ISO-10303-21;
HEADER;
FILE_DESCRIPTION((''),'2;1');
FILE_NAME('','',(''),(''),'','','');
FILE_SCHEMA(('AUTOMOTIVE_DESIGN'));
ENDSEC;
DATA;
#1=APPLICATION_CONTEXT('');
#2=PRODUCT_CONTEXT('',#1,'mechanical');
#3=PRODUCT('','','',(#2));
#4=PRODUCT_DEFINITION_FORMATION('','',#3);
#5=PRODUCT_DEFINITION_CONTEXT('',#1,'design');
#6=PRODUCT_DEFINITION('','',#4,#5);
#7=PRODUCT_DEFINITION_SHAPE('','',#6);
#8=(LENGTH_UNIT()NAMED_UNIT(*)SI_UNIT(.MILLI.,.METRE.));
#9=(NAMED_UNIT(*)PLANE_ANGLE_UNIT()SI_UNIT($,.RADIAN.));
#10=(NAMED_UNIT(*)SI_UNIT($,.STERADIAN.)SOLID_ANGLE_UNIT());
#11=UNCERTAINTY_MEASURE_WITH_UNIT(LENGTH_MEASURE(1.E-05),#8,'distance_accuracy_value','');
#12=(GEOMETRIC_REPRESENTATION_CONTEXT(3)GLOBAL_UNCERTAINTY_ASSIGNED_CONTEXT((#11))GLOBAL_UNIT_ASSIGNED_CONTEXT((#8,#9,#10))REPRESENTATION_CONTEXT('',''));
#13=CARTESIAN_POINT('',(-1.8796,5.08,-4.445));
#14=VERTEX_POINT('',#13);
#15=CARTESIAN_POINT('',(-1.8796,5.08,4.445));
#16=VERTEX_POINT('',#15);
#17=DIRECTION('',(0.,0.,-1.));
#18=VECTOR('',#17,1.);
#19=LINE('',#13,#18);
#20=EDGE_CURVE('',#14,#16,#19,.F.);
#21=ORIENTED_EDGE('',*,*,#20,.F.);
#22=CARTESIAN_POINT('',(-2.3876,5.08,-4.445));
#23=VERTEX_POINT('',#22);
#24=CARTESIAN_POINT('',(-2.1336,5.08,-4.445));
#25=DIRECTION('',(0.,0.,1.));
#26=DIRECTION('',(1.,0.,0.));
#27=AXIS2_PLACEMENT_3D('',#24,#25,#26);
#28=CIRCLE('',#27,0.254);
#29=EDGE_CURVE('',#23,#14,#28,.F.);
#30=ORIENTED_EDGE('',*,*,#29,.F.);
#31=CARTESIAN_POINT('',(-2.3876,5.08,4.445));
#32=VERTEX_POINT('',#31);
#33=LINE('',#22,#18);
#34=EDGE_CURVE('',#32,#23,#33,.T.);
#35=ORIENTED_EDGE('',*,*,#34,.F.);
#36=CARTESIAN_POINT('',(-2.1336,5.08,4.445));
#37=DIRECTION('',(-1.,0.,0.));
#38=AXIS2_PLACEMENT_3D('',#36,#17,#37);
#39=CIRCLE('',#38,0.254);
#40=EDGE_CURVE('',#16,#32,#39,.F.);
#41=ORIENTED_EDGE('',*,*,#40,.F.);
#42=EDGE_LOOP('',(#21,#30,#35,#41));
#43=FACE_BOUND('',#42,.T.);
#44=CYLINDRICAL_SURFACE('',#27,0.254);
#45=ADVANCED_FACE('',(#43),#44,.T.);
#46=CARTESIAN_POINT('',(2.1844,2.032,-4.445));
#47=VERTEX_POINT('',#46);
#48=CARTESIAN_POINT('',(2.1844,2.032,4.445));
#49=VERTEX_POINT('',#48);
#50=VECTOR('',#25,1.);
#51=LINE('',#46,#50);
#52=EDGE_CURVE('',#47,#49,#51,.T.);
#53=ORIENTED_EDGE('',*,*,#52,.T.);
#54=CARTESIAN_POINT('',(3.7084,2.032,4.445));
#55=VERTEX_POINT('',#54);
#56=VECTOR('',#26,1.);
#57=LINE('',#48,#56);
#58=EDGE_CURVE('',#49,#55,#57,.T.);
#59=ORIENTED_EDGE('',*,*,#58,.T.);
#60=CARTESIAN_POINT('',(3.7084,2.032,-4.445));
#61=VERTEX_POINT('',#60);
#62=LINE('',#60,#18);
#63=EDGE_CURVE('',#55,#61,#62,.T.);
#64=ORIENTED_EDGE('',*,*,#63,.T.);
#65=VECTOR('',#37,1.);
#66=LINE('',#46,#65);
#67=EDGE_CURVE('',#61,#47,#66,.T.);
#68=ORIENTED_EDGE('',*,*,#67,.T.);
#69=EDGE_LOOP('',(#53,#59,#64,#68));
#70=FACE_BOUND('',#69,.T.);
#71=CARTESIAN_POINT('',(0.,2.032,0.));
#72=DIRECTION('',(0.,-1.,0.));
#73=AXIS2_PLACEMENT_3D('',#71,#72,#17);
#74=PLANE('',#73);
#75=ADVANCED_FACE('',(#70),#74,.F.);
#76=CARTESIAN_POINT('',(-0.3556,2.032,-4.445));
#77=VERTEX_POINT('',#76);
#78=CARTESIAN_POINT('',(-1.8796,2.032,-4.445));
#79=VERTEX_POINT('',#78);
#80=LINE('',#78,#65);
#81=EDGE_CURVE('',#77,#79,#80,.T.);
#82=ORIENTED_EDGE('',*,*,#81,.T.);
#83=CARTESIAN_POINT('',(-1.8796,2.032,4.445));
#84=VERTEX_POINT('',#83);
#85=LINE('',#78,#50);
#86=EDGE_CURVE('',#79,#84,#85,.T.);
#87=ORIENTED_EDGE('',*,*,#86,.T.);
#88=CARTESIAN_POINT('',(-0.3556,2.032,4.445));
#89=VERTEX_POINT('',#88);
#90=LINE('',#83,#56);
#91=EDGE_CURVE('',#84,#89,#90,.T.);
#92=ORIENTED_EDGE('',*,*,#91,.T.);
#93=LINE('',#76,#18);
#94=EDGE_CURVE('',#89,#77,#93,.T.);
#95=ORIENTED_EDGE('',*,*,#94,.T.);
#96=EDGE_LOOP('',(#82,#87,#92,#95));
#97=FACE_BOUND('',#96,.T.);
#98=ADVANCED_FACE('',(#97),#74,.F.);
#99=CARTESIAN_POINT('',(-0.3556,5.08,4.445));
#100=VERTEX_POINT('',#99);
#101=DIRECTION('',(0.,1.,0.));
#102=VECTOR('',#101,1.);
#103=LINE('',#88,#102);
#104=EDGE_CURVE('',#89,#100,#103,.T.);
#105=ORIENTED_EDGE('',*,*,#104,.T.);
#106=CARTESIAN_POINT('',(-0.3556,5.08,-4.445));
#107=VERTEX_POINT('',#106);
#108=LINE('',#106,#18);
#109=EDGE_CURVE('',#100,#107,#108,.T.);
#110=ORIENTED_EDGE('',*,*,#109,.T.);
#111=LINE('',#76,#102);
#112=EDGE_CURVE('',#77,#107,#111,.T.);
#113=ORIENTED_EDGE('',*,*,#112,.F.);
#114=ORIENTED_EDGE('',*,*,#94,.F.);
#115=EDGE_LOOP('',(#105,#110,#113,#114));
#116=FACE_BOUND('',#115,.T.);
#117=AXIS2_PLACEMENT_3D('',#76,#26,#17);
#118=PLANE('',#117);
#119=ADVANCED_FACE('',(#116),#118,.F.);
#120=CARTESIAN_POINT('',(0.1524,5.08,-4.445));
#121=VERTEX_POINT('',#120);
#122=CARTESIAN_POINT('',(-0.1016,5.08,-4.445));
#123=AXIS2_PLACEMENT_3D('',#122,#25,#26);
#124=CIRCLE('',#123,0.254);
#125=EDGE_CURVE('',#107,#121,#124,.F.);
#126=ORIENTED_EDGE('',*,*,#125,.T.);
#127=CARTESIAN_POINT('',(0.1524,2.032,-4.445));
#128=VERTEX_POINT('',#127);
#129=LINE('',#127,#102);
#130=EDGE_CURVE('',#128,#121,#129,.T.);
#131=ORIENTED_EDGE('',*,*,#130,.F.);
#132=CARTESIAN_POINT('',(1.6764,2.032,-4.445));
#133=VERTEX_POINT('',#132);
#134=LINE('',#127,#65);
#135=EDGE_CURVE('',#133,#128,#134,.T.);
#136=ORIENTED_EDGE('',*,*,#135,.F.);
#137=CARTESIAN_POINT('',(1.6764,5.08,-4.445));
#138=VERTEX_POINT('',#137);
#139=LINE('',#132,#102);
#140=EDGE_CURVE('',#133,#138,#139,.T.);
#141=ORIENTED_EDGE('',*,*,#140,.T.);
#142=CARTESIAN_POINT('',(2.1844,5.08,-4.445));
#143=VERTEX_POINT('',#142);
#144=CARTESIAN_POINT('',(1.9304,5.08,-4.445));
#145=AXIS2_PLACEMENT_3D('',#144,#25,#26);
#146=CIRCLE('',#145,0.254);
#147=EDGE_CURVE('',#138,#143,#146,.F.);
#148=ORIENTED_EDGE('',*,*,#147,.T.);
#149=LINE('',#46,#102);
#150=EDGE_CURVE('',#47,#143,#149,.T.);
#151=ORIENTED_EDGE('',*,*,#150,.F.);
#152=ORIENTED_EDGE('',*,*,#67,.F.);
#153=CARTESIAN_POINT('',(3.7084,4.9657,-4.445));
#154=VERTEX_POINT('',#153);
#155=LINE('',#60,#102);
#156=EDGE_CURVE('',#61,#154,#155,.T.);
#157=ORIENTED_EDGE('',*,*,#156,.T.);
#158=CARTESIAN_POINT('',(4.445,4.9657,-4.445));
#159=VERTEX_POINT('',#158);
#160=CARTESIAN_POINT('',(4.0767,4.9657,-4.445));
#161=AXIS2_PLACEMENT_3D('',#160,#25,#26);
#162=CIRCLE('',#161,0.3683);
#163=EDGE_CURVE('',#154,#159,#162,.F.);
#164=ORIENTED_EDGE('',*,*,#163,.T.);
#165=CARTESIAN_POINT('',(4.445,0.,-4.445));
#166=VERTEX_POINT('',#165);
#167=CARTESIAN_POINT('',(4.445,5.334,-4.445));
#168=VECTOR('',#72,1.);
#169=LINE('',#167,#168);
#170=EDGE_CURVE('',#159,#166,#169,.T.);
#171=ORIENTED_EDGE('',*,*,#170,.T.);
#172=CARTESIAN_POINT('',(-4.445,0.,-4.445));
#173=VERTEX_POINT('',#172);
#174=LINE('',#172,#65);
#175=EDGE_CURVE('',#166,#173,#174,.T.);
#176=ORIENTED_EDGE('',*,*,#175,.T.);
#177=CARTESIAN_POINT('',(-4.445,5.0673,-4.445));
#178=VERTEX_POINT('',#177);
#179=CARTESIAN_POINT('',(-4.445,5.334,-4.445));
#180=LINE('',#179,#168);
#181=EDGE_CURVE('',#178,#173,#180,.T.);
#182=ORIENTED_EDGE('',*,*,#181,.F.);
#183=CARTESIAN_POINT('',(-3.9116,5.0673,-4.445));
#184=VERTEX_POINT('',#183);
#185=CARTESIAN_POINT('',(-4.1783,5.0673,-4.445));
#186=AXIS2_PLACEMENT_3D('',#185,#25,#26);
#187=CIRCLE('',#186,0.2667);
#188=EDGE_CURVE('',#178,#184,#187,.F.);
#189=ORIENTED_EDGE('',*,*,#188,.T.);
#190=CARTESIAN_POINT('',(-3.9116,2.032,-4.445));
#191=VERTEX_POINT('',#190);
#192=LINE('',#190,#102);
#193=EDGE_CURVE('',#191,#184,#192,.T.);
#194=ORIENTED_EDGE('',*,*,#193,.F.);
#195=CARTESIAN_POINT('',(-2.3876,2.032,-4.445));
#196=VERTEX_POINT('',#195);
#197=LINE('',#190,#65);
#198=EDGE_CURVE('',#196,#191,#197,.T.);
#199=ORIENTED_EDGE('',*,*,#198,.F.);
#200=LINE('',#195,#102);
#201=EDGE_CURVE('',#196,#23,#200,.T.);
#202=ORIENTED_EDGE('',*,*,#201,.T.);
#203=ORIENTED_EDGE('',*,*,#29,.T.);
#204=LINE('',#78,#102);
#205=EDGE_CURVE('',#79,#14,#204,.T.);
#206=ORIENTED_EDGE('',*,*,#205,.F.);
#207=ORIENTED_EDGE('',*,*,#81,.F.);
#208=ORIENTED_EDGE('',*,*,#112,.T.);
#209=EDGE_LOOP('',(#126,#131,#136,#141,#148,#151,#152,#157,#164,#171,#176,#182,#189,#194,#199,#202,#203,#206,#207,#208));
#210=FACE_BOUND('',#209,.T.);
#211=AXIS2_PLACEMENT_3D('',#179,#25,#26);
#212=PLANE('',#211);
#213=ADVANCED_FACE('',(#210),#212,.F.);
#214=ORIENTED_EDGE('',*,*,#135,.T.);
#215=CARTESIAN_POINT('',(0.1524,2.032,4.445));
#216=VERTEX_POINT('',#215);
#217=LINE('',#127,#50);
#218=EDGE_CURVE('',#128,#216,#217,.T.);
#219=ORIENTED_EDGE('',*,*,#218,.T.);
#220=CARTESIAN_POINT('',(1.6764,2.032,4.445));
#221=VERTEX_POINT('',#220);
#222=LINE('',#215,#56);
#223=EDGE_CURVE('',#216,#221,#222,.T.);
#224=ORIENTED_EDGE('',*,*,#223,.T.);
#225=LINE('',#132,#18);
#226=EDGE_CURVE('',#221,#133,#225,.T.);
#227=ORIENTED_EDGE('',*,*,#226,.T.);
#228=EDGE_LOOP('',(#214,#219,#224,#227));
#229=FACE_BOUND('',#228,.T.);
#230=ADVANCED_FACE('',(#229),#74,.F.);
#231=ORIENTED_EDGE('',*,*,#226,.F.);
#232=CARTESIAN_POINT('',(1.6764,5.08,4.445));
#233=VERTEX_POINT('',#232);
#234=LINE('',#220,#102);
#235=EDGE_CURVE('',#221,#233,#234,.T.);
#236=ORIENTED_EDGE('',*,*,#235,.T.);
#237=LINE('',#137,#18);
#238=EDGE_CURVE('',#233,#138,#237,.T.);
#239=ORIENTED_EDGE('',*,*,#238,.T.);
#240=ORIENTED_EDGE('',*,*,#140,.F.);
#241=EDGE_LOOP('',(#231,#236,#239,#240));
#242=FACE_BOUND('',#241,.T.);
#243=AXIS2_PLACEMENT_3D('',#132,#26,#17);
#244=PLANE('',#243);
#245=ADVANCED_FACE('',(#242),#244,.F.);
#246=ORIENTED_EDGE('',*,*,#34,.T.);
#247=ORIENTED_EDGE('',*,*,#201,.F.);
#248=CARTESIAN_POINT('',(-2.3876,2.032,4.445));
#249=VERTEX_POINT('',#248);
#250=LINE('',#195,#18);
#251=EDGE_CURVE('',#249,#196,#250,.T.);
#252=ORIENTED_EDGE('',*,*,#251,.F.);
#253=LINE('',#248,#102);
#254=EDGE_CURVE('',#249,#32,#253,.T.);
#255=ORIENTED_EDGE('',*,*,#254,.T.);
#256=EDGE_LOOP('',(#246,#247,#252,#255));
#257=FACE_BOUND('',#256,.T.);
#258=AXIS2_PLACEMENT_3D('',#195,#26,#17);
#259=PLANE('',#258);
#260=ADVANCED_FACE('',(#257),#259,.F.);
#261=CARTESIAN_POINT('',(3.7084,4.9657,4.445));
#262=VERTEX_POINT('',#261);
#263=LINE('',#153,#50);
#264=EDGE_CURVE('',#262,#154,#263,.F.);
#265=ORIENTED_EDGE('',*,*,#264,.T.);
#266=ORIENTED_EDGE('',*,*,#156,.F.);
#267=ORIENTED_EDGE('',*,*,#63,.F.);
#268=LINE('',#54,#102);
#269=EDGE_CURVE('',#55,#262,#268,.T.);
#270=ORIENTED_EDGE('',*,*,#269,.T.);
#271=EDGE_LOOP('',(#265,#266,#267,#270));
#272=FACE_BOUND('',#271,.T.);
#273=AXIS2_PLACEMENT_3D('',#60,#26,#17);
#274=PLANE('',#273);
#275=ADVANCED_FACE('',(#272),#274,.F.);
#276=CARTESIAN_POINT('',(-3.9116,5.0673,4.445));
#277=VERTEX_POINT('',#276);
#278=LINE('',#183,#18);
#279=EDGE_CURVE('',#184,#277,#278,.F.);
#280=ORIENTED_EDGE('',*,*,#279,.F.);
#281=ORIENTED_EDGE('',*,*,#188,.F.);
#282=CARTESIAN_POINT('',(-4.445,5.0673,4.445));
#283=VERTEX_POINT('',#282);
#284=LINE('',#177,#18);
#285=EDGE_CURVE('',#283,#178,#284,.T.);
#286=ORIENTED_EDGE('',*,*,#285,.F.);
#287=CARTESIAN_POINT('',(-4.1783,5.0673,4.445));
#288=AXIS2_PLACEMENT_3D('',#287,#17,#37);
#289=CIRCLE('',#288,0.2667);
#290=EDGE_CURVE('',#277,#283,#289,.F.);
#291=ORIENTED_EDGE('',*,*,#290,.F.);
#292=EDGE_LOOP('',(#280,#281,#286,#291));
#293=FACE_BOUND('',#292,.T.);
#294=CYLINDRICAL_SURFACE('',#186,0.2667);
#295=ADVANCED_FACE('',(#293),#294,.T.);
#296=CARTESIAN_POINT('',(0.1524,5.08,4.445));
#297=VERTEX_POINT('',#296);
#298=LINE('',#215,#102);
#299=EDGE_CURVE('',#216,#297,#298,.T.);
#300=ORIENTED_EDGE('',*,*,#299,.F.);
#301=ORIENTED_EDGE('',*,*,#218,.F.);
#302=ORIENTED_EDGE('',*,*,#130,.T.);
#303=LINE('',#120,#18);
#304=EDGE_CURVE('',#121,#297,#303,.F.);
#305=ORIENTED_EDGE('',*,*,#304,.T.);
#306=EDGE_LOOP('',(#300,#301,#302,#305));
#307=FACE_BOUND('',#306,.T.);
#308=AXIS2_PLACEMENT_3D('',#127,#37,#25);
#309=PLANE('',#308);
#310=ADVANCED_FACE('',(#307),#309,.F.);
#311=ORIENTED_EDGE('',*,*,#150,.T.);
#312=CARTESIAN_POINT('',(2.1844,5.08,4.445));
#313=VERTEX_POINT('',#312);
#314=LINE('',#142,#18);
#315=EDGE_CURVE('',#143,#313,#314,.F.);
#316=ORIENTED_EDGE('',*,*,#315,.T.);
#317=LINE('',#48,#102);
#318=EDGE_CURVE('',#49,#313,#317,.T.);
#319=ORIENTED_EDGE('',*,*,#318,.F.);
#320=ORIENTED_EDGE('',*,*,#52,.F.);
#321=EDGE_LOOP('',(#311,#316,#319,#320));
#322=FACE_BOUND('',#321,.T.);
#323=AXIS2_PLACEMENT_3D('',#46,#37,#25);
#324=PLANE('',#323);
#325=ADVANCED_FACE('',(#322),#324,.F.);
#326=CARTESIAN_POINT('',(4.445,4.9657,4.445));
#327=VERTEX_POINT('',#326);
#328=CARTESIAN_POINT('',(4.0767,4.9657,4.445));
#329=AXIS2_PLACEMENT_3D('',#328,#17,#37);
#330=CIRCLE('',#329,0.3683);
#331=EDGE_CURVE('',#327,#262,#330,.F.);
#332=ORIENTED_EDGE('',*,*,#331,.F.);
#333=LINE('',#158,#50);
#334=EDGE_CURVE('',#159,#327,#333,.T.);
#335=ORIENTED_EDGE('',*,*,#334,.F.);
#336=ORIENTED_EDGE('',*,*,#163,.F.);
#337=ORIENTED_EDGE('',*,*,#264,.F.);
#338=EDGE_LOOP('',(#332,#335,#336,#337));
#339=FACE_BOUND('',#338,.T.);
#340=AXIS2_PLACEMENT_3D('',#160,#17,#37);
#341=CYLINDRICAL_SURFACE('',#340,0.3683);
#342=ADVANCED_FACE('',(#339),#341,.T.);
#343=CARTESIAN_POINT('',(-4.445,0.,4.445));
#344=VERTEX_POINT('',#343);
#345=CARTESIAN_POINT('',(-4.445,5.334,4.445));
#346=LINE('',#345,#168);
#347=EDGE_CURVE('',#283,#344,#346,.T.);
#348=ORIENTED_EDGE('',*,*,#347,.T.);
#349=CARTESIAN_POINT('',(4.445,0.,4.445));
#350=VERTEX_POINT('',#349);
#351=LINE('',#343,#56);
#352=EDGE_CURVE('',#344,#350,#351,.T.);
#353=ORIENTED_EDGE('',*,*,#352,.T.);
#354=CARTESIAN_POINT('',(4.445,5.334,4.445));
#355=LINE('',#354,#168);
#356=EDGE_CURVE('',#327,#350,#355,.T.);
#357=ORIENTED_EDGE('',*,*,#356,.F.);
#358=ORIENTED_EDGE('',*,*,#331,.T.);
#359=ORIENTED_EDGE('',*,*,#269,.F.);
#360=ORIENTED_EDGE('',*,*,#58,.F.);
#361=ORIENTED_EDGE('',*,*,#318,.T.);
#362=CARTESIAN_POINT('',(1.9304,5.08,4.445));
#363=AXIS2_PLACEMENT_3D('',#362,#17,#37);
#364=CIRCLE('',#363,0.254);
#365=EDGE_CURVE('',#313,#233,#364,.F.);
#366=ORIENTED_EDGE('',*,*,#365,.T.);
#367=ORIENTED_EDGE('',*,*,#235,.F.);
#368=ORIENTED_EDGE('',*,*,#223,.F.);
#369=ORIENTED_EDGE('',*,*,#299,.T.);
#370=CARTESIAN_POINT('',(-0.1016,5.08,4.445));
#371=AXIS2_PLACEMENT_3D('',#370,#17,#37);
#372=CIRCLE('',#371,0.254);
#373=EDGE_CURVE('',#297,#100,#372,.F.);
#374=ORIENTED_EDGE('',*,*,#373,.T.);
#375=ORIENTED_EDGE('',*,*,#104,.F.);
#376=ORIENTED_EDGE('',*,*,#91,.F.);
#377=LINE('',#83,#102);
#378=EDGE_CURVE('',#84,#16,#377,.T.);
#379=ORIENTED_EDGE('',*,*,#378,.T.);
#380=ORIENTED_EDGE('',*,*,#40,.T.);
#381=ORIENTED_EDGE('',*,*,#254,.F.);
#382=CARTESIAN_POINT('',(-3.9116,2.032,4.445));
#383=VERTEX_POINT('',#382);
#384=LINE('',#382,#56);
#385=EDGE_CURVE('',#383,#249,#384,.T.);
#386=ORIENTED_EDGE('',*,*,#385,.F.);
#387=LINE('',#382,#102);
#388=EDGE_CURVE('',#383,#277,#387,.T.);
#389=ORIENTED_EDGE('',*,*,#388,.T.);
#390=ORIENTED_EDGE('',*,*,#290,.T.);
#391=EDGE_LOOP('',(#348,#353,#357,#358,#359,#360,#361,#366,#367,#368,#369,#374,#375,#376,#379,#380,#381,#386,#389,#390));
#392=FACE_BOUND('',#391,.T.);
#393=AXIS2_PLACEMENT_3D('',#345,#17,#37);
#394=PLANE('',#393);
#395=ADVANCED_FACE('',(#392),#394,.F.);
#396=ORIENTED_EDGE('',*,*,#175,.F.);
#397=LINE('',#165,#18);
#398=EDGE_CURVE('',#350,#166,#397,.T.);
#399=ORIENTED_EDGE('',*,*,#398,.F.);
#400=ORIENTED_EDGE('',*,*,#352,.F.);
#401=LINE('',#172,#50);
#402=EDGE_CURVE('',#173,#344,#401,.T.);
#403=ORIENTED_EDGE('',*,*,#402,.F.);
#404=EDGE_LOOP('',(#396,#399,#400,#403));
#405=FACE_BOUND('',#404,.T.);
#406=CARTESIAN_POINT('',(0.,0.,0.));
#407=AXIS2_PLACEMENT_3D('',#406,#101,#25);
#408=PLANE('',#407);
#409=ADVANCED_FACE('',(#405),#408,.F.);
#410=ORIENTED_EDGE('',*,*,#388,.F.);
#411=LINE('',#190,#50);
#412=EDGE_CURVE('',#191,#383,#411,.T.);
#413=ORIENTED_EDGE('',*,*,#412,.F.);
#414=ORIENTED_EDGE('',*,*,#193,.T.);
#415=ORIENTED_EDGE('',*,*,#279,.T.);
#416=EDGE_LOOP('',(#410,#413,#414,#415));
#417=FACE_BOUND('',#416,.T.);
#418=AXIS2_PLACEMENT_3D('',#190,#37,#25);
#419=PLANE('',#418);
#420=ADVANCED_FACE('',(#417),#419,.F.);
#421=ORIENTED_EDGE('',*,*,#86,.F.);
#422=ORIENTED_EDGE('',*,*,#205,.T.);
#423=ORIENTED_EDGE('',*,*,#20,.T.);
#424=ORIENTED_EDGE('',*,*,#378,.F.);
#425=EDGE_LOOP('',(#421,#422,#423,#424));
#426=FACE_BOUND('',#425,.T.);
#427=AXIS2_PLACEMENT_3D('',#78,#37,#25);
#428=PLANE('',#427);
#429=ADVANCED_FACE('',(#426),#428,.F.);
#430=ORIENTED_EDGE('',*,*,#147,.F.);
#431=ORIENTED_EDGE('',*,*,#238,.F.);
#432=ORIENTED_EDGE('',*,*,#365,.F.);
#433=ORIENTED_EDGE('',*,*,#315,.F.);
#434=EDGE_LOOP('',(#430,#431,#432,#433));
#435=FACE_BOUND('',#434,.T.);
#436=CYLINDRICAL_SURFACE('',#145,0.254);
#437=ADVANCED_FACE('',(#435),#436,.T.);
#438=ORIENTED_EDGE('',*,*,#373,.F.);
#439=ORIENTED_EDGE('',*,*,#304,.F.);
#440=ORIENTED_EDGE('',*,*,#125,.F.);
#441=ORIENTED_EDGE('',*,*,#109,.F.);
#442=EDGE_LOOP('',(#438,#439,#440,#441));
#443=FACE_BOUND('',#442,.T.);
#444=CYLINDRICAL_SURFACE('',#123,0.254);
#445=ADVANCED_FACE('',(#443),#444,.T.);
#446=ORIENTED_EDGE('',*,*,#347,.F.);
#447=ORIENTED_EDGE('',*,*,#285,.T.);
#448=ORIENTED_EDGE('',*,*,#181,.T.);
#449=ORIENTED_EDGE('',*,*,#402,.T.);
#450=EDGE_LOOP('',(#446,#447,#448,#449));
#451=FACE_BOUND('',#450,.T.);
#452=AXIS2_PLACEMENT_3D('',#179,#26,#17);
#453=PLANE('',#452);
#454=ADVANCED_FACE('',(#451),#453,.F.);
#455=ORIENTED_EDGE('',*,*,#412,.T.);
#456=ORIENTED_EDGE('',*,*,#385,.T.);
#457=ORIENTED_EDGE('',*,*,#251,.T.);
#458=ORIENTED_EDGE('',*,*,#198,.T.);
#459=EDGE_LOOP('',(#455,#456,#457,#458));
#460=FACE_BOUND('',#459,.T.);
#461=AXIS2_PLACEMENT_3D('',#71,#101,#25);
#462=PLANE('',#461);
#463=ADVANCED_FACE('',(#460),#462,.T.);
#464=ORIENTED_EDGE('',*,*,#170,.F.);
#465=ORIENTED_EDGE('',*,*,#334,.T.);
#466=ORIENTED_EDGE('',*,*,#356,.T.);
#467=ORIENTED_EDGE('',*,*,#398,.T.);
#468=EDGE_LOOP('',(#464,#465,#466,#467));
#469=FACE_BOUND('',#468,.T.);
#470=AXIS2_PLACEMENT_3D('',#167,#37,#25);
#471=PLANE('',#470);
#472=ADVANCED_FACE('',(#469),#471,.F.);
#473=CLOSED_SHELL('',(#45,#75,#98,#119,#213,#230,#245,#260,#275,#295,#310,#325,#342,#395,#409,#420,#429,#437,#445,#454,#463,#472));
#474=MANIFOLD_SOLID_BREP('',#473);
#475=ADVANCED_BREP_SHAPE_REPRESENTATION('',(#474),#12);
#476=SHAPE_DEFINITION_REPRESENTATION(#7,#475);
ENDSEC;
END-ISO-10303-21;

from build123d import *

# Parameters (mm, degrees)
SKETCH1_W           = 8.89
SKETCH1_H           = 8.89
BOSS_EXTRUDE1_DEPTH = 5.334
SKETCH2_W           = 1.524
SKETCH2_H           = 8.89
CUT_EXTRUDE1_DEPTH  = 3.302
FILLET3_RADIUS      = 0.3683
FILLET3_LENGTH      = 8.89
FILLET4_RADIUS      = 0.254
FILLET4_LENGTH      = 8.89
FILLET5_RADIUS      = 0.254
FILLET5_LENGTH      = 8.89
FILLET6_RADIUS      = 0.254
FILLET6_LENGTH      = 8.89
FILLET7_RADIUS      = 0.2667
FILLET7_LENGTH      = 8.89


with BuildPart() as part:
    # Sketch1 → Boss-Extrude1 (new body)
    with BuildSketch(Plane(origin=(0, 0, 0), x_dir=(1, 0, 0), z_dir=(0, 1, 0))):
        Rectangle(SKETCH1_W, SKETCH1_H)
    extrude(amount=BOSS_EXTRUDE1_DEPTH)

    # Sketch2 → Cut-Extrude1 (cut)
    with BuildSketch(Plane(origin=(0, 5.334, 0), x_dir=(1, 0, 0), z_dir=(0, 1, 0))):
        with Locations((-3.1496, 0)):
            Rectangle(SKETCH2_W, SKETCH2_H)
        with Locations((-1.1176, 0)):
            Rectangle(SKETCH2_W, SKETCH2_H)
        with Locations((0.9144, 0)):
            Rectangle(SKETCH2_W, SKETCH2_H)
        with Locations((2.9464, 0)):
            Rectangle(SKETCH2_W, SKETCH2_H)
    extrude(amount=-CUT_EXTRUDE1_DEPTH, mode=Mode.SUBTRACT)

    # Fillet3: full round fillet: the end face becomes a half cylinder, R = half its width
    fillet3_face = Plane((4.0767, 5.334, 0), x_dir=(0, 0, -1), z_dir=(0, 1, 0))  # on the end face: x along it, z out of the body
    fillet3_slab = fillet3_face.offset(-FILLET3_RADIUS / 2) * Box(FILLET3_LENGTH, 2 * FILLET3_RADIUS, FILLET3_RADIUS, mode=Mode.PRIVATE)  # the body's end, R deep
    fillet3_round = Plane((4.0767, 4.9657, 0), x_dir=(0, 1, 0), z_dir=(0, 0, -1)) * Cylinder(FILLET3_RADIUS, FILLET3_LENGTH, mode=Mode.PRIVATE)  # its axis R under the face
    add(fillet3_slab - fillet3_round, mode=Mode.SUBTRACT)

    # Fillet4: full round fillet: the end face becomes a half cylinder, R = half its width
    fillet4_face = Plane((1.9304, 5.334, 0), x_dir=(0, 0, 1), z_dir=(0, 1, 0))  # on the end face: x along it, z out of the body
    fillet4_slab = fillet4_face.offset(-FILLET4_RADIUS / 2) * Box(FILLET4_LENGTH, 2 * FILLET4_RADIUS, FILLET4_RADIUS, mode=Mode.PRIVATE)  # the body's end, R deep
    fillet4_round = Plane((1.9304, 5.08, 0), x_dir=(0, 1, 0), z_dir=(0, 0, 1)) * Cylinder(FILLET4_RADIUS, FILLET4_LENGTH, mode=Mode.PRIVATE)  # its axis R under the face
    add(fillet4_slab - fillet4_round, mode=Mode.SUBTRACT)

    # Fillet5: full round fillet: the end face becomes a half cylinder, R = half its width
    fillet5_face = Plane((-0.1016, 5.334, 0), x_dir=(0, 0, 1), z_dir=(0, 1, 0))  # on the end face: x along it, z out of the body
    fillet5_slab = fillet5_face.offset(-FILLET5_RADIUS / 2) * Box(FILLET5_LENGTH, 2 * FILLET5_RADIUS, FILLET5_RADIUS, mode=Mode.PRIVATE)  # the body's end, R deep
    fillet5_round = Plane((-0.1016, 5.08, 0), x_dir=(0, 1, 0), z_dir=(0, 0, 1)) * Cylinder(FILLET5_RADIUS, FILLET5_LENGTH, mode=Mode.PRIVATE)  # its axis R under the face
    add(fillet5_slab - fillet5_round, mode=Mode.SUBTRACT)

    # Fillet6: full round fillet: the end face becomes a half cylinder, R = half its width
    fillet6_face = Plane((-2.1336, 5.334, 0), x_dir=(0, 0, 1), z_dir=(0, 1, 0))  # on the end face: x along it, z out of the body
    fillet6_slab = fillet6_face.offset(-FILLET6_RADIUS / 2) * Box(FILLET6_LENGTH, 2 * FILLET6_RADIUS, FILLET6_RADIUS, mode=Mode.PRIVATE)  # the body's end, R deep
    fillet6_round = Plane((-2.1336, 5.08, 0), x_dir=(0, 1, 0), z_dir=(0, 0, 1)) * Cylinder(FILLET6_RADIUS, FILLET6_LENGTH, mode=Mode.PRIVATE)  # its axis R under the face
    add(fillet6_slab - fillet6_round, mode=Mode.SUBTRACT)

    # Fillet7: full round fillet: the end face becomes a half cylinder, R = half its width
    fillet7_face = Plane((-4.1783, 5.334, 0), x_dir=(0, 0, 1), z_dir=(0, 1, 0))  # on the end face: x along it, z out of the body
    fillet7_slab = fillet7_face.offset(-FILLET7_RADIUS / 2) * Box(FILLET7_LENGTH, 2 * FILLET7_RADIUS, FILLET7_RADIUS, mode=Mode.PRIVATE)  # the body's end, R deep
    fillet7_round = Plane((-4.1783, 5.0673, 0), x_dir=(0, 1, 0), z_dir=(0, 0, 1)) * Cylinder(FILLET7_RADIUS, FILLET7_LENGTH, mode=Mode.PRIVATE)  # its axis R under the face
    add(fillet7_slab - fillet7_round, mode=Mode.SUBTRACT)


solid = part.part
